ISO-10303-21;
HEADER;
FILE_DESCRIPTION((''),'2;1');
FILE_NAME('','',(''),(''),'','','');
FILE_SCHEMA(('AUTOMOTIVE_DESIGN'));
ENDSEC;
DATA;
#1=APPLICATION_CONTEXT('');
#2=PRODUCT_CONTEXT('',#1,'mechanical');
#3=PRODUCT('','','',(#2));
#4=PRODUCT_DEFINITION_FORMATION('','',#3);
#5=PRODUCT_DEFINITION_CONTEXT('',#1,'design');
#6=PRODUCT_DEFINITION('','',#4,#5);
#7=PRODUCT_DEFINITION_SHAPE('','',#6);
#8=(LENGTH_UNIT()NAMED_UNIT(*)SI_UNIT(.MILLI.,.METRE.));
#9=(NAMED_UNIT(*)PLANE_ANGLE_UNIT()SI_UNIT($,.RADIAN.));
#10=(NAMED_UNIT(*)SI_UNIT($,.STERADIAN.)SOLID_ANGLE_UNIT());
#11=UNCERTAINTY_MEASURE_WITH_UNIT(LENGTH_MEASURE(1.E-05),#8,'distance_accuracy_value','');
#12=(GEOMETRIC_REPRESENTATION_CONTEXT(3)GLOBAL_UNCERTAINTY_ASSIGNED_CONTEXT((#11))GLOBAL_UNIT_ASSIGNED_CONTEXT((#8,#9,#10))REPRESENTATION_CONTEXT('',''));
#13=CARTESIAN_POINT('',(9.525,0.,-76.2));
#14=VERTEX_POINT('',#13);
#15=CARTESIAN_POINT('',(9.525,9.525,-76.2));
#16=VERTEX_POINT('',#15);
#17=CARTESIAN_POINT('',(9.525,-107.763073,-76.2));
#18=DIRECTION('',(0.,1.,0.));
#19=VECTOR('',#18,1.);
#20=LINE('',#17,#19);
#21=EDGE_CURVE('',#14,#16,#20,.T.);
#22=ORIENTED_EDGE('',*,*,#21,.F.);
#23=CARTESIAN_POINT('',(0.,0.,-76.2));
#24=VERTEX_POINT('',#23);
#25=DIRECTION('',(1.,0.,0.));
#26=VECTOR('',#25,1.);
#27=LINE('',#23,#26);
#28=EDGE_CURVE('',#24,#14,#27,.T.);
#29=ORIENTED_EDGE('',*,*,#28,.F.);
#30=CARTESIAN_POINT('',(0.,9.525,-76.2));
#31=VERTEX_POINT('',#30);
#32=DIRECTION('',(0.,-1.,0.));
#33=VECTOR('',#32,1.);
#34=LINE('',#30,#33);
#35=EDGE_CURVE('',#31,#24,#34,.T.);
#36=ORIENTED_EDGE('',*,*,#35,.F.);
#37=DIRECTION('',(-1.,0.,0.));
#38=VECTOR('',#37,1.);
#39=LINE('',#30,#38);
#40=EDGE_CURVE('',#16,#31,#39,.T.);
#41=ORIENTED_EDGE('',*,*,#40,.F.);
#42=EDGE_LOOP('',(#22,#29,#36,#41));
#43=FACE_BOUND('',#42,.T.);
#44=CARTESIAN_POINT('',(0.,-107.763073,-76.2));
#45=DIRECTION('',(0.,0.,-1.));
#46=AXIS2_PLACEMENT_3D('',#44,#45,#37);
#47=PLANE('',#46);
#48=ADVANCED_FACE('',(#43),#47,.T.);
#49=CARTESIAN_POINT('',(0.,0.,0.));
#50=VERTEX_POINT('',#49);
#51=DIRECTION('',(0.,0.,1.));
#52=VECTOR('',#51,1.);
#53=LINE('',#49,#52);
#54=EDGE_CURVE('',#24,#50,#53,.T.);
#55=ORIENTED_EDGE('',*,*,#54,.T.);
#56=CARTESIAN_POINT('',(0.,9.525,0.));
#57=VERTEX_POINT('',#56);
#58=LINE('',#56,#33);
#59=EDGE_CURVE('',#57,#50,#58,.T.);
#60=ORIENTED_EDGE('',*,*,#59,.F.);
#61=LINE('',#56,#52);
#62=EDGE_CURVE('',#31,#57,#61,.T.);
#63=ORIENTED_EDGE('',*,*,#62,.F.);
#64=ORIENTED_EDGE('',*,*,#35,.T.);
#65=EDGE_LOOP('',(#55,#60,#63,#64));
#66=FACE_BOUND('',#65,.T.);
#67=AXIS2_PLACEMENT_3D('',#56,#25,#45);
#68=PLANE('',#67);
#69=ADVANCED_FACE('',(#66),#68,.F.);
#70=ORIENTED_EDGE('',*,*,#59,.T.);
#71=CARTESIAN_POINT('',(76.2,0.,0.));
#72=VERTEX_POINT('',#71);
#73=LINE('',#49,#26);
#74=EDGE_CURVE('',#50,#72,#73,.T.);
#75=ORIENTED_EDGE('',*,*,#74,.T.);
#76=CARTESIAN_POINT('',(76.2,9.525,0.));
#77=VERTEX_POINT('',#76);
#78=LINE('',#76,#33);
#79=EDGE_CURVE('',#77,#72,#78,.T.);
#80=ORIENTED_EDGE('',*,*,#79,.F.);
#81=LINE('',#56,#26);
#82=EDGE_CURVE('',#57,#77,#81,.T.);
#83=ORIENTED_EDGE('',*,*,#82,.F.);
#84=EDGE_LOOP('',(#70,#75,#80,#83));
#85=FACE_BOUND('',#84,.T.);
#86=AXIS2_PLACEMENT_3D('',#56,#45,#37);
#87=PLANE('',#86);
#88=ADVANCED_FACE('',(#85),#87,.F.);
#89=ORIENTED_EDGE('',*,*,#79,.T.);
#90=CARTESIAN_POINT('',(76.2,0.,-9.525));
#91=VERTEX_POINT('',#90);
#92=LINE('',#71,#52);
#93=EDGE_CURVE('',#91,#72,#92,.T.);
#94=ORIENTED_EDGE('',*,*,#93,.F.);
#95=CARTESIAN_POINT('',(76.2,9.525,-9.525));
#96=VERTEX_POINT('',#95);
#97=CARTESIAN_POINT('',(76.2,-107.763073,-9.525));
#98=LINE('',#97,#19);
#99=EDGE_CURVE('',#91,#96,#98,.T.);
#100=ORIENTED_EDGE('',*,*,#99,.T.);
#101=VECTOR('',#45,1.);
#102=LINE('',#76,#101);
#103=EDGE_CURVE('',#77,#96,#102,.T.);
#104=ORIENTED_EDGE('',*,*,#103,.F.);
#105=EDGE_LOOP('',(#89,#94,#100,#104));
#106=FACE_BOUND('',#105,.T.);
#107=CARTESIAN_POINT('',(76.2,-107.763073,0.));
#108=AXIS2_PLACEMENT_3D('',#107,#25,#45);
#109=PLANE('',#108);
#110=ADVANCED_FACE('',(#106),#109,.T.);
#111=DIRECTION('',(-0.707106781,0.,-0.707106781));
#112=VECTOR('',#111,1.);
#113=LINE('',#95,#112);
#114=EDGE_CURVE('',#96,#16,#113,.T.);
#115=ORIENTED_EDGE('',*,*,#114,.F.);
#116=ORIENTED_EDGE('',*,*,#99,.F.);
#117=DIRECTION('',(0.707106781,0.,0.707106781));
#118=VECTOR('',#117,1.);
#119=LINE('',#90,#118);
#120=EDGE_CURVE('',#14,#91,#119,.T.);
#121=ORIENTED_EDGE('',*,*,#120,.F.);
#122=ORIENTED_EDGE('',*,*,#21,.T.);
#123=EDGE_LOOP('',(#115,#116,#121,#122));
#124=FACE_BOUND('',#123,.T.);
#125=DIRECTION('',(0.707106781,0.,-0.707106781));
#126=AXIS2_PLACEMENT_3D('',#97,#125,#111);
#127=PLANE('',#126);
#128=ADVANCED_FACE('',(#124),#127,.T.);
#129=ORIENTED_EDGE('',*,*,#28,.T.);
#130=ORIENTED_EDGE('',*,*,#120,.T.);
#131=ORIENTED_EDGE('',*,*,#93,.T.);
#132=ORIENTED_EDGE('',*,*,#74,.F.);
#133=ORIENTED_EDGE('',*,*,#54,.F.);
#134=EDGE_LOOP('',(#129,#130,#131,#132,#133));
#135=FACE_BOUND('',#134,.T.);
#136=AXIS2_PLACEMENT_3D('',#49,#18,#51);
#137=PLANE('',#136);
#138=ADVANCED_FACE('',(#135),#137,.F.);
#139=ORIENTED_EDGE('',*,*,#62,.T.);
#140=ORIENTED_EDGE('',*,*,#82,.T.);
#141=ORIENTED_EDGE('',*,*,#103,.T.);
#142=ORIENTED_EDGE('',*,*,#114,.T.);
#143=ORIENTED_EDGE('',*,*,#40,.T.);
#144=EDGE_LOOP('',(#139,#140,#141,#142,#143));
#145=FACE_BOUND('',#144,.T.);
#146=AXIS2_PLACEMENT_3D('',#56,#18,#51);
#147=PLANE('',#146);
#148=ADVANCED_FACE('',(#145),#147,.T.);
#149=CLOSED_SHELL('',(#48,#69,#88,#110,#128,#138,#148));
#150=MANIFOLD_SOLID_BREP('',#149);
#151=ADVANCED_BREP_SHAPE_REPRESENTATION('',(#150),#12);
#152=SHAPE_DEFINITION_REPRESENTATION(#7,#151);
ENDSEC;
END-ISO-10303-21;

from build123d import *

# Parameters (mm, degrees)
SALIENTE_EXTRUIR1_DEPTH = 9.525
SALIENTE_EXTRUIR2_DEPTH = 9.525


with BuildPart() as part:
    # Croquis1 → Saliente-Extruir1 (new body)
    with BuildSketch(Plane(origin=(0, 0, 0), x_dir=(1, 0, 0), z_dir=(0, 1, 0))):
        Polygon((0, 0), (0, 76.2), (76.2, 0), align=None)
    extrude(amount=SALIENTE_EXTRUIR1_DEPTH)

    # Croquis2 → Saliente-Extruir2 (add)
    with BuildSketch(Plane(origin=(0, 9.525, 0), x_dir=(1, 0, 0), z_dir=(0, 1, 0))):
        Polygon((76.2, 0), (76.2, 9.525), (9.525, 76.2), (0, 76.2), align=None)
    extrude(amount=-SALIENTE_EXTRUIR2_DEPTH)


solid = part.part
